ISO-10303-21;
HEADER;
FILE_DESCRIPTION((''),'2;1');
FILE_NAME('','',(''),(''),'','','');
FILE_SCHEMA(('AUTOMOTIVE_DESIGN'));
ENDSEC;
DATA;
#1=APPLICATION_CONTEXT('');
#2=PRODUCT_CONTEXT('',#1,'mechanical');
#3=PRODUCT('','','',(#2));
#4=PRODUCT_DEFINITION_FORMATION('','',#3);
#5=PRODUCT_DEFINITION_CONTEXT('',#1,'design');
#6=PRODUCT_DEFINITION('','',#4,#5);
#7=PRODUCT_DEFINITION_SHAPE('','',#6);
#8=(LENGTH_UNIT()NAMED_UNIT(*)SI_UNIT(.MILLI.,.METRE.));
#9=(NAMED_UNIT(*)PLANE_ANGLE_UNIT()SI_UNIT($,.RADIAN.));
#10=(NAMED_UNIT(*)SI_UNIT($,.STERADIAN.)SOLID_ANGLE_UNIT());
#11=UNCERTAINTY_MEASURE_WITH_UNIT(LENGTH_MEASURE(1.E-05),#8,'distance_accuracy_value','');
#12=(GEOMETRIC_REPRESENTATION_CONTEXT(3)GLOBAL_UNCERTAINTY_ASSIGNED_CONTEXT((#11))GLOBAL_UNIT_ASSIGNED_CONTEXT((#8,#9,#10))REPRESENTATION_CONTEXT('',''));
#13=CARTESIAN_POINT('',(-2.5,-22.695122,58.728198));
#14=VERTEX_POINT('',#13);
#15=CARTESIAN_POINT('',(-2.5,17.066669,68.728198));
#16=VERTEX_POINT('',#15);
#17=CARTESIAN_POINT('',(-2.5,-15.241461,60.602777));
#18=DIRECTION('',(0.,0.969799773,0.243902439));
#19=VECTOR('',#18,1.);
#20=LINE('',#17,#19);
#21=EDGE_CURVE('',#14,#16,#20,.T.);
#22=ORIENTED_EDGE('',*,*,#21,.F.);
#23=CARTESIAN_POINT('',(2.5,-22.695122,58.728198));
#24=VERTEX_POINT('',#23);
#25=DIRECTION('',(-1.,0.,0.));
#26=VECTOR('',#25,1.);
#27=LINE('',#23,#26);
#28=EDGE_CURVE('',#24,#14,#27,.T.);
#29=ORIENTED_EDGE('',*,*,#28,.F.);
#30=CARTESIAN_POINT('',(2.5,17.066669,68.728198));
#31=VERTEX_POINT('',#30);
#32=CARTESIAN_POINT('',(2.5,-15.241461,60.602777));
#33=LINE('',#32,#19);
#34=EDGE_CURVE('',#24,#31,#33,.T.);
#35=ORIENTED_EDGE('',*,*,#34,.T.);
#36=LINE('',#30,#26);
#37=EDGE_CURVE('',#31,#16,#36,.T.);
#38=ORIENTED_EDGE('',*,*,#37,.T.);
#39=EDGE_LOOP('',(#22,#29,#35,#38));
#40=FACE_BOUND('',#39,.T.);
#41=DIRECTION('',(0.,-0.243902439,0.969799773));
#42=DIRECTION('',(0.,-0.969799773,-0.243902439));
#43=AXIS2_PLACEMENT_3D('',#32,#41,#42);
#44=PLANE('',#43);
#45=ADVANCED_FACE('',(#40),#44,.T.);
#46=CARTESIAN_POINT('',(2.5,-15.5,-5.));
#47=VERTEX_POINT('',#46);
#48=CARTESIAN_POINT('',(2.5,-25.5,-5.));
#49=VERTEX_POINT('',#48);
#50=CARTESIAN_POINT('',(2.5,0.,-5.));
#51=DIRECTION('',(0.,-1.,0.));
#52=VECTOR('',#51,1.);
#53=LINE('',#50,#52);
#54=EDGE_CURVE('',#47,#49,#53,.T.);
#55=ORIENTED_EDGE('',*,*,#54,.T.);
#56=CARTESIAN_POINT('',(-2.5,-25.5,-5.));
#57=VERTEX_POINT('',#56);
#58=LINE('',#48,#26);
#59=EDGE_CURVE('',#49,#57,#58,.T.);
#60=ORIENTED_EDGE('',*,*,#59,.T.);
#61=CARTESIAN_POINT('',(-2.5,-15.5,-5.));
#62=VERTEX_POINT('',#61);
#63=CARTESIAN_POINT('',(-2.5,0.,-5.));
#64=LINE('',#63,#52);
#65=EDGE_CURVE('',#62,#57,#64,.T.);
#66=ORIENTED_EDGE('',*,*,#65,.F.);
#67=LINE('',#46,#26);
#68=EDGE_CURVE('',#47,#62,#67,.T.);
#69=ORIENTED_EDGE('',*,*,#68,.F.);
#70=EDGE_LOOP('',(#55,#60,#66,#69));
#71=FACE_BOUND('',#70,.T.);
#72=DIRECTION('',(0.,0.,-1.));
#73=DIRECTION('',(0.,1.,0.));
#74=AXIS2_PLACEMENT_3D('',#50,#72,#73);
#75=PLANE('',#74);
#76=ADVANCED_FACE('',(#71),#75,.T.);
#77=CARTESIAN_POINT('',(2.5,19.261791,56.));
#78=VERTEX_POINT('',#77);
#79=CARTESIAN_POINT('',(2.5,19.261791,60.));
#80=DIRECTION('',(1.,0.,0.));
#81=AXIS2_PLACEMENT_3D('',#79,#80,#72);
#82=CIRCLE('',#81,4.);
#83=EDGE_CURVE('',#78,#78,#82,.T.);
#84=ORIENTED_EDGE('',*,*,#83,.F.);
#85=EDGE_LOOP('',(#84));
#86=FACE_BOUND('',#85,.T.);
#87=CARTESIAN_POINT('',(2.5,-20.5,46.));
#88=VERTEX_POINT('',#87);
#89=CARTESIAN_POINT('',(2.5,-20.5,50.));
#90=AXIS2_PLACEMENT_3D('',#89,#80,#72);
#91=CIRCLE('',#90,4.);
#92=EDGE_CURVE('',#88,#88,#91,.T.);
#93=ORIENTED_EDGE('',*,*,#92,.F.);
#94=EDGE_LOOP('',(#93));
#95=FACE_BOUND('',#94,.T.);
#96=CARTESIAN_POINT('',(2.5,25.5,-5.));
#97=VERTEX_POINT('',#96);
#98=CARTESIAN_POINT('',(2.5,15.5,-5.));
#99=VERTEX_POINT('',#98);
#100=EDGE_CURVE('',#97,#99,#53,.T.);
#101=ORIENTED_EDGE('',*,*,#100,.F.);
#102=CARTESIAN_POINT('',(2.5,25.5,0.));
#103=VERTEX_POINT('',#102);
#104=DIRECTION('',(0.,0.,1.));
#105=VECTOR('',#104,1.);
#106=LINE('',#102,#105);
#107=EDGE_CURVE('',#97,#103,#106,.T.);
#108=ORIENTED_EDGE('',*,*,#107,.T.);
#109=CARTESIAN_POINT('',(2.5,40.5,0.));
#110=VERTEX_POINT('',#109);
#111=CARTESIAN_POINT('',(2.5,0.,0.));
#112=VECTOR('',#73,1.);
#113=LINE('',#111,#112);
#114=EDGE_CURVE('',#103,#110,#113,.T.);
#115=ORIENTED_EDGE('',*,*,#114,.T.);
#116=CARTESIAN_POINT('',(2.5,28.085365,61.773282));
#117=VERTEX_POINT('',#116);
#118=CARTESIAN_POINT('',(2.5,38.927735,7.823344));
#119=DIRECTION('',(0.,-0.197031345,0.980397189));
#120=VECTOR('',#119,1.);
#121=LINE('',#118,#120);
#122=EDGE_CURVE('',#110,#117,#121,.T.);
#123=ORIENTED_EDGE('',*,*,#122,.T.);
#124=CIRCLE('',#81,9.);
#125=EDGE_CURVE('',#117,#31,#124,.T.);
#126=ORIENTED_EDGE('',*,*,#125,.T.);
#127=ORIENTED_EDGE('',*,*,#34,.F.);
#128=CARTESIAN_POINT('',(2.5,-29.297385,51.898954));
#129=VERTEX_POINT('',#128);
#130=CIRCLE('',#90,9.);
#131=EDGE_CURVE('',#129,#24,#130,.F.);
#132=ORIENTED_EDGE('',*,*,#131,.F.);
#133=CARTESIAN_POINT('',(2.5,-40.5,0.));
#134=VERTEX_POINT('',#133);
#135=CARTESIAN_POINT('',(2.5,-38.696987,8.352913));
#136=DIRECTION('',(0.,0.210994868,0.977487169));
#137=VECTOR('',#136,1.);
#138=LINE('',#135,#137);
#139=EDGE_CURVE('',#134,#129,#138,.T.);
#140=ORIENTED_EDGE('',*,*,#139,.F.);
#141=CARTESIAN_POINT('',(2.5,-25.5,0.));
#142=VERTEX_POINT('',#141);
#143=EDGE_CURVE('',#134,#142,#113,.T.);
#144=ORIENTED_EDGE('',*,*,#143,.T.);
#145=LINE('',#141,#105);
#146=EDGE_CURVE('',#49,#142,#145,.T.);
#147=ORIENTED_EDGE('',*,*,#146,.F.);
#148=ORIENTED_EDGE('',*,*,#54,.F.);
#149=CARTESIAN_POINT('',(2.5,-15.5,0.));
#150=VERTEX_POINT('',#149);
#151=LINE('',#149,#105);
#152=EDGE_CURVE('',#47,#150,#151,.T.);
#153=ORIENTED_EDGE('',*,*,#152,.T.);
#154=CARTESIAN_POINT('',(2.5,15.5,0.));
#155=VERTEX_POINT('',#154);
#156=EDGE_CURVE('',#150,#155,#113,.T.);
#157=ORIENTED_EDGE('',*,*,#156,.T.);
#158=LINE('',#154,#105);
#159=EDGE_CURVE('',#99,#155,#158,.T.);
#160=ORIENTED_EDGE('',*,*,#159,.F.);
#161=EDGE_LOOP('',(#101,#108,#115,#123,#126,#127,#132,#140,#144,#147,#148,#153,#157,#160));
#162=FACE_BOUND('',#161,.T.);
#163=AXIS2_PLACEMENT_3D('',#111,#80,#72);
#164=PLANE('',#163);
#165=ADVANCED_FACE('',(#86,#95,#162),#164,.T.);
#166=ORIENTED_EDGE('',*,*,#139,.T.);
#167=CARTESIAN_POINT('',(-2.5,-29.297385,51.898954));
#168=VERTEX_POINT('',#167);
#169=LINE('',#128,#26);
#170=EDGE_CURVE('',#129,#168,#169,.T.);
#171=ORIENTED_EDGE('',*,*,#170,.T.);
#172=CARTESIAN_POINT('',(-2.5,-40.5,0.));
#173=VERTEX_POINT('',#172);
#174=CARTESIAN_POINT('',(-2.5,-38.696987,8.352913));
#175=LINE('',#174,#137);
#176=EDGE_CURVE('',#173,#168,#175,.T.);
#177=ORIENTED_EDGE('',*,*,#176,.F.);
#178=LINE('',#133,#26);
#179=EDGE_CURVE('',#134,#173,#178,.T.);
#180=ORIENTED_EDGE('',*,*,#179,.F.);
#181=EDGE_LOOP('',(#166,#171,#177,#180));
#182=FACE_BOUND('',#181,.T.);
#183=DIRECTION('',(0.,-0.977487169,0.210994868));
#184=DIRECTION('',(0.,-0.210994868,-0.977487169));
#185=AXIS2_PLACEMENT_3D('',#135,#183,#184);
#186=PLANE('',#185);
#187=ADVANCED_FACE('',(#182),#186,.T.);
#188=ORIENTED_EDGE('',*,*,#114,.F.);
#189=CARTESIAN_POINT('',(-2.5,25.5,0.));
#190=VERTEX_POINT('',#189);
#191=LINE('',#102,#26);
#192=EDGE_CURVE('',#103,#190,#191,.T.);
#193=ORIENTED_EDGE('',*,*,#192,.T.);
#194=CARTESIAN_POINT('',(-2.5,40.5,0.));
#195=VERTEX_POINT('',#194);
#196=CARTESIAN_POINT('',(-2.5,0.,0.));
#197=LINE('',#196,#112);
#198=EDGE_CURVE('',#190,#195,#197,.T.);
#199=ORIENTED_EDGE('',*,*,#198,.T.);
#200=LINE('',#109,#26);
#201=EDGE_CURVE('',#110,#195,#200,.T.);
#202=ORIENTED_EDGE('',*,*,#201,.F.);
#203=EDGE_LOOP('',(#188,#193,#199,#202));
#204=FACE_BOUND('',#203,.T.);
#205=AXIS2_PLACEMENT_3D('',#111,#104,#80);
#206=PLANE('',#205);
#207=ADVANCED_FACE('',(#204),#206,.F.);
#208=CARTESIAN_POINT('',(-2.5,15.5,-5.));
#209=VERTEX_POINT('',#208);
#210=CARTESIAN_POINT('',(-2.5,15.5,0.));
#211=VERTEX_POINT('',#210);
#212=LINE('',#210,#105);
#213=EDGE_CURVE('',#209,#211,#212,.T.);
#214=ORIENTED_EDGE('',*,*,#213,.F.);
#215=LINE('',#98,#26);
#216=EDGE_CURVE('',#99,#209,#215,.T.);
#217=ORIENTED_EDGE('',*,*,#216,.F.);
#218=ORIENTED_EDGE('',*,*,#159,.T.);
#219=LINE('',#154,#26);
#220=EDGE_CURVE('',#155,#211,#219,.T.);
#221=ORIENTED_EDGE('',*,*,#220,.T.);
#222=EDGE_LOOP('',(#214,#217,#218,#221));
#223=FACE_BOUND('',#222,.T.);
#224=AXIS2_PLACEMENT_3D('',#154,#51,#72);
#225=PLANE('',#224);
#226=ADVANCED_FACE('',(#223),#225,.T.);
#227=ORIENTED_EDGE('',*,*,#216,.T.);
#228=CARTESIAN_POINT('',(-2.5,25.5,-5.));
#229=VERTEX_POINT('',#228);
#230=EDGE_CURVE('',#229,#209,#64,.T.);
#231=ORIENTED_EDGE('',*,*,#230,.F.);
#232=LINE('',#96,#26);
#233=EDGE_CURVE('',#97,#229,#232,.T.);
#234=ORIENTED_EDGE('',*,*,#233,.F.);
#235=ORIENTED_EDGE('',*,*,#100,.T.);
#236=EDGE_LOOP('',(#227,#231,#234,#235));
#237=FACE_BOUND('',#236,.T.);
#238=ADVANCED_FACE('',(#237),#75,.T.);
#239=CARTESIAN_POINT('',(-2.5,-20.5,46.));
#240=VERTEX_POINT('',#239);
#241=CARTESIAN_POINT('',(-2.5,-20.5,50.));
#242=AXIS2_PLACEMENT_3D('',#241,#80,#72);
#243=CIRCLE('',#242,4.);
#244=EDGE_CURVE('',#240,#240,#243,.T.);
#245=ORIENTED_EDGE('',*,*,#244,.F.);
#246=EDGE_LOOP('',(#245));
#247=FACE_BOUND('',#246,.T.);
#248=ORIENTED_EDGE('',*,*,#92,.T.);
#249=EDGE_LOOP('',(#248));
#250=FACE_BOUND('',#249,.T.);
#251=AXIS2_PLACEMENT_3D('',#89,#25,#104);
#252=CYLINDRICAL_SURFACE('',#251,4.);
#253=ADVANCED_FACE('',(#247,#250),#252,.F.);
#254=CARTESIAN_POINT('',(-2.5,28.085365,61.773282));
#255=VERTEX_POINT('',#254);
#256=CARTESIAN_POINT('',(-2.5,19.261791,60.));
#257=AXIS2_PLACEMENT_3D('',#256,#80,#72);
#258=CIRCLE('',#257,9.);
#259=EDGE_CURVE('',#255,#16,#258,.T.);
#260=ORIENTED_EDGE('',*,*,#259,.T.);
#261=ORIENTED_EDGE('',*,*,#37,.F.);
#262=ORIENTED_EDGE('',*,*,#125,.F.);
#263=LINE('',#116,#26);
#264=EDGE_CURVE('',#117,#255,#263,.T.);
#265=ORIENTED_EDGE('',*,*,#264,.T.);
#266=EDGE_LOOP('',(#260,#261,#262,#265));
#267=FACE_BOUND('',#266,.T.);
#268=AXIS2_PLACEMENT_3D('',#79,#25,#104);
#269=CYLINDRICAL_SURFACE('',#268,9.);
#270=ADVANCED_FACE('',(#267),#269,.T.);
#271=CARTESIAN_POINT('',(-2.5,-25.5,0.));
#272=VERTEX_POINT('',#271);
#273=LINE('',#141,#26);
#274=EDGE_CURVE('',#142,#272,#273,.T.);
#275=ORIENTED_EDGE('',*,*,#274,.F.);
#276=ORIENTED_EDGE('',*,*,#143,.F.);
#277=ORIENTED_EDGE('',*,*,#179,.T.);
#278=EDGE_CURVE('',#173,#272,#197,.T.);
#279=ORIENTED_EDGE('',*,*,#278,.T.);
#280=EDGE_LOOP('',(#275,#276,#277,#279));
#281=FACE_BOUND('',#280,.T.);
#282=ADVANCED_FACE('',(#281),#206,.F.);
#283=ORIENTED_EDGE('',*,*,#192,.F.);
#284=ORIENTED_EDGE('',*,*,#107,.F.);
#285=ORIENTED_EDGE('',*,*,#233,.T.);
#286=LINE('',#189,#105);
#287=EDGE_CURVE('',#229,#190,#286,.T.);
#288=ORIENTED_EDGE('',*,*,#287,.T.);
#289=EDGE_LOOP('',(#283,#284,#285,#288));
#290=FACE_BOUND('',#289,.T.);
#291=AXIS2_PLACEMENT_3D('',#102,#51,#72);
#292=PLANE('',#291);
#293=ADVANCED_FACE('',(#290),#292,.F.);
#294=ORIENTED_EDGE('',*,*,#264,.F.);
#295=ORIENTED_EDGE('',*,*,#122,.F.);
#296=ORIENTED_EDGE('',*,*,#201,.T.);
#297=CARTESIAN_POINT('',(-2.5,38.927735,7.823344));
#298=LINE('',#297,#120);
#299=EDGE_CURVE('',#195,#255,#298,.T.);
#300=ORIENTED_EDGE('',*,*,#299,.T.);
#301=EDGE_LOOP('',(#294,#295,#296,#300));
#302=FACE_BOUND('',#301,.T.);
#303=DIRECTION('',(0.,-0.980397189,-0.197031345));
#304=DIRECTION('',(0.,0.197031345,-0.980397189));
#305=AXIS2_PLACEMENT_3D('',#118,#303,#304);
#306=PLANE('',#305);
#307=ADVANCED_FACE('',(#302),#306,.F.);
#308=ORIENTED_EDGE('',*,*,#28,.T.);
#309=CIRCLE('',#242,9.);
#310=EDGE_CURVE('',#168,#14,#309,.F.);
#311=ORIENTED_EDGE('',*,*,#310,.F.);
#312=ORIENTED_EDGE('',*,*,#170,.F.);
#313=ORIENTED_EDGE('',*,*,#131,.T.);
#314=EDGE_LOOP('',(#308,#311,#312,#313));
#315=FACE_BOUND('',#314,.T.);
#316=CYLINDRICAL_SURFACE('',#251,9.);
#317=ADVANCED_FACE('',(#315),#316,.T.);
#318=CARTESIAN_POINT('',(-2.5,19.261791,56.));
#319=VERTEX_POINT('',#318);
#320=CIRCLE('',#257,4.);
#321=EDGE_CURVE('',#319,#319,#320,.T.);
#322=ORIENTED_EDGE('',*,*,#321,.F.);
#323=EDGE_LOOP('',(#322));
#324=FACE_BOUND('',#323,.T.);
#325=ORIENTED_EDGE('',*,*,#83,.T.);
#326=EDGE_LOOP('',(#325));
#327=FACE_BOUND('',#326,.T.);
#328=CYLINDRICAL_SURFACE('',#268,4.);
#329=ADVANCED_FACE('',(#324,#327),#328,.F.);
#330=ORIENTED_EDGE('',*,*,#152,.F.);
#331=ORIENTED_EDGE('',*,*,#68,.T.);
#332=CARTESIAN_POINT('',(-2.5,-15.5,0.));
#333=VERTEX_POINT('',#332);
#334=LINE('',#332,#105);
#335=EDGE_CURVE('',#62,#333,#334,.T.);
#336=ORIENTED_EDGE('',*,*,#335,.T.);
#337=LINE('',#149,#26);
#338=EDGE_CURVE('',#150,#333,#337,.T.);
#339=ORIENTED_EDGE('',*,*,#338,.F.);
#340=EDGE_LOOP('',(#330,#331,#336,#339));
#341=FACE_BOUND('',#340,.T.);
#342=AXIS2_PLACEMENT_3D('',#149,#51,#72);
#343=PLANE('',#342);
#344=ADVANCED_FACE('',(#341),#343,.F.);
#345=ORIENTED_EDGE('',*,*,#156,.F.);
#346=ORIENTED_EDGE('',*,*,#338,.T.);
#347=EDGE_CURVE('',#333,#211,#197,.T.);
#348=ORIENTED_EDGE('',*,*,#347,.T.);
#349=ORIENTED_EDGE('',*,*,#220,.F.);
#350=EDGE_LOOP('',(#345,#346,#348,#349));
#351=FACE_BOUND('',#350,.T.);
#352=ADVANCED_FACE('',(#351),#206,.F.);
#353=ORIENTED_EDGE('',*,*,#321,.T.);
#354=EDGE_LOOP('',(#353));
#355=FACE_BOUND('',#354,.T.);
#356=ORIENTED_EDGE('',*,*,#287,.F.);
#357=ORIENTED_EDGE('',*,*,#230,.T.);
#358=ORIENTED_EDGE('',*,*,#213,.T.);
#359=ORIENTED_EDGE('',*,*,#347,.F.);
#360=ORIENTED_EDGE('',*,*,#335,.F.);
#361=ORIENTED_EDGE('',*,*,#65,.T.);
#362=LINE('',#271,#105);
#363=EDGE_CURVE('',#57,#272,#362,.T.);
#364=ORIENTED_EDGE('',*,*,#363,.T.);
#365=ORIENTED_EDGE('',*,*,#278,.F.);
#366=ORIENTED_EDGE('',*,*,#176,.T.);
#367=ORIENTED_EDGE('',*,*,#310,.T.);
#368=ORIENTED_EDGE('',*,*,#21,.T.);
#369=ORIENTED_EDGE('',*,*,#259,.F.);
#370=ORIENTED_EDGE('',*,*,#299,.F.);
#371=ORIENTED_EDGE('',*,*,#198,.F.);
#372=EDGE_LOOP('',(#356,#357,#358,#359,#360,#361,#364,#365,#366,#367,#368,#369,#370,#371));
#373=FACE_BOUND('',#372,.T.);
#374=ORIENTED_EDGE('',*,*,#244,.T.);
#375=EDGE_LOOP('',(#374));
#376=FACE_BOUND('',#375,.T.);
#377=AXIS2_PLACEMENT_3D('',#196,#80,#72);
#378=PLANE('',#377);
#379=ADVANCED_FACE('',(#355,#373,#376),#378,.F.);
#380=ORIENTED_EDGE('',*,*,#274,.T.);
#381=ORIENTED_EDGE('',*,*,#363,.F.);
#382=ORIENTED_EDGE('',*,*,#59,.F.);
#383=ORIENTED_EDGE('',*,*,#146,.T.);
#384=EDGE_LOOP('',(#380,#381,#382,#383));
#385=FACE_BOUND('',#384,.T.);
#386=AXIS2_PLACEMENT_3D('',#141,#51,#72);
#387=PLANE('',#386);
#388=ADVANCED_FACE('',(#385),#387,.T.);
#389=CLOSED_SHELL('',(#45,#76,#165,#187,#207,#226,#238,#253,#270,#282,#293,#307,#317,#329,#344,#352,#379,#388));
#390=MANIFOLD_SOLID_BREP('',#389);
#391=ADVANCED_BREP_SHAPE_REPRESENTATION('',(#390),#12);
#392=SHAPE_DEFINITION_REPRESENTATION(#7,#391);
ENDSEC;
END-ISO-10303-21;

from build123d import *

# Parameters (mm, degrees)
SKETCH1_R           = 4
BOSS_EXTRUDE1_DEPTH = 2.5


with BuildPart() as part:
    # Sketch1 → Boss-Extrude1 (new, symmetric)
    with BuildSketch(Plane.YZ):
        with BuildLine():
            Line((-29.297384522, 51.898953809), (-40.5, 0))
            Line((-40.5, 0), (-25.5, 0))
            Line((-25.5, 0), (-25.5, -5))
            Line((-25.5, -5), (-15.5, -5))
            Line((-15.5, -5), (-15.5, 0))
            Line((-15.5, 0), (15.5, 0))
            Line((15.5, 0), (15.5, -5))
            Line((15.5, -5), (25.5, -5))
            Line((25.5, -5), (25.5, 0))
            Line((25.5, 0), (40.5, 0))
            Line((40.5, 0), (28.085365409, 61.773282105))
            ThreePointArc((28.085365409, 61.773282105), (24.06562356, 67.610728604), (17.066668753, 68.728197959))
            Line((17.066668753, 68.728197959), (-22.695121951, 58.728197959))
            ThreePointArc((-22.695121951, 58.728197959), (-26.970582938, 56.255522076), (-29.297384522, 51.898953809))
        make_face()
        with Locations(Location((-20.5, 50, 0), (0, 0, 270))):
            Circle(SKETCH1_R, mode=Mode.SUBTRACT)
        with Locations(Location((19.261790704, 60, 0), (0, 0, 270))):
            Circle(SKETCH1_R, mode=Mode.SUBTRACT)
    extrude(amount=BOSS_EXTRUDE1_DEPTH, both=True)


solid = part.part
